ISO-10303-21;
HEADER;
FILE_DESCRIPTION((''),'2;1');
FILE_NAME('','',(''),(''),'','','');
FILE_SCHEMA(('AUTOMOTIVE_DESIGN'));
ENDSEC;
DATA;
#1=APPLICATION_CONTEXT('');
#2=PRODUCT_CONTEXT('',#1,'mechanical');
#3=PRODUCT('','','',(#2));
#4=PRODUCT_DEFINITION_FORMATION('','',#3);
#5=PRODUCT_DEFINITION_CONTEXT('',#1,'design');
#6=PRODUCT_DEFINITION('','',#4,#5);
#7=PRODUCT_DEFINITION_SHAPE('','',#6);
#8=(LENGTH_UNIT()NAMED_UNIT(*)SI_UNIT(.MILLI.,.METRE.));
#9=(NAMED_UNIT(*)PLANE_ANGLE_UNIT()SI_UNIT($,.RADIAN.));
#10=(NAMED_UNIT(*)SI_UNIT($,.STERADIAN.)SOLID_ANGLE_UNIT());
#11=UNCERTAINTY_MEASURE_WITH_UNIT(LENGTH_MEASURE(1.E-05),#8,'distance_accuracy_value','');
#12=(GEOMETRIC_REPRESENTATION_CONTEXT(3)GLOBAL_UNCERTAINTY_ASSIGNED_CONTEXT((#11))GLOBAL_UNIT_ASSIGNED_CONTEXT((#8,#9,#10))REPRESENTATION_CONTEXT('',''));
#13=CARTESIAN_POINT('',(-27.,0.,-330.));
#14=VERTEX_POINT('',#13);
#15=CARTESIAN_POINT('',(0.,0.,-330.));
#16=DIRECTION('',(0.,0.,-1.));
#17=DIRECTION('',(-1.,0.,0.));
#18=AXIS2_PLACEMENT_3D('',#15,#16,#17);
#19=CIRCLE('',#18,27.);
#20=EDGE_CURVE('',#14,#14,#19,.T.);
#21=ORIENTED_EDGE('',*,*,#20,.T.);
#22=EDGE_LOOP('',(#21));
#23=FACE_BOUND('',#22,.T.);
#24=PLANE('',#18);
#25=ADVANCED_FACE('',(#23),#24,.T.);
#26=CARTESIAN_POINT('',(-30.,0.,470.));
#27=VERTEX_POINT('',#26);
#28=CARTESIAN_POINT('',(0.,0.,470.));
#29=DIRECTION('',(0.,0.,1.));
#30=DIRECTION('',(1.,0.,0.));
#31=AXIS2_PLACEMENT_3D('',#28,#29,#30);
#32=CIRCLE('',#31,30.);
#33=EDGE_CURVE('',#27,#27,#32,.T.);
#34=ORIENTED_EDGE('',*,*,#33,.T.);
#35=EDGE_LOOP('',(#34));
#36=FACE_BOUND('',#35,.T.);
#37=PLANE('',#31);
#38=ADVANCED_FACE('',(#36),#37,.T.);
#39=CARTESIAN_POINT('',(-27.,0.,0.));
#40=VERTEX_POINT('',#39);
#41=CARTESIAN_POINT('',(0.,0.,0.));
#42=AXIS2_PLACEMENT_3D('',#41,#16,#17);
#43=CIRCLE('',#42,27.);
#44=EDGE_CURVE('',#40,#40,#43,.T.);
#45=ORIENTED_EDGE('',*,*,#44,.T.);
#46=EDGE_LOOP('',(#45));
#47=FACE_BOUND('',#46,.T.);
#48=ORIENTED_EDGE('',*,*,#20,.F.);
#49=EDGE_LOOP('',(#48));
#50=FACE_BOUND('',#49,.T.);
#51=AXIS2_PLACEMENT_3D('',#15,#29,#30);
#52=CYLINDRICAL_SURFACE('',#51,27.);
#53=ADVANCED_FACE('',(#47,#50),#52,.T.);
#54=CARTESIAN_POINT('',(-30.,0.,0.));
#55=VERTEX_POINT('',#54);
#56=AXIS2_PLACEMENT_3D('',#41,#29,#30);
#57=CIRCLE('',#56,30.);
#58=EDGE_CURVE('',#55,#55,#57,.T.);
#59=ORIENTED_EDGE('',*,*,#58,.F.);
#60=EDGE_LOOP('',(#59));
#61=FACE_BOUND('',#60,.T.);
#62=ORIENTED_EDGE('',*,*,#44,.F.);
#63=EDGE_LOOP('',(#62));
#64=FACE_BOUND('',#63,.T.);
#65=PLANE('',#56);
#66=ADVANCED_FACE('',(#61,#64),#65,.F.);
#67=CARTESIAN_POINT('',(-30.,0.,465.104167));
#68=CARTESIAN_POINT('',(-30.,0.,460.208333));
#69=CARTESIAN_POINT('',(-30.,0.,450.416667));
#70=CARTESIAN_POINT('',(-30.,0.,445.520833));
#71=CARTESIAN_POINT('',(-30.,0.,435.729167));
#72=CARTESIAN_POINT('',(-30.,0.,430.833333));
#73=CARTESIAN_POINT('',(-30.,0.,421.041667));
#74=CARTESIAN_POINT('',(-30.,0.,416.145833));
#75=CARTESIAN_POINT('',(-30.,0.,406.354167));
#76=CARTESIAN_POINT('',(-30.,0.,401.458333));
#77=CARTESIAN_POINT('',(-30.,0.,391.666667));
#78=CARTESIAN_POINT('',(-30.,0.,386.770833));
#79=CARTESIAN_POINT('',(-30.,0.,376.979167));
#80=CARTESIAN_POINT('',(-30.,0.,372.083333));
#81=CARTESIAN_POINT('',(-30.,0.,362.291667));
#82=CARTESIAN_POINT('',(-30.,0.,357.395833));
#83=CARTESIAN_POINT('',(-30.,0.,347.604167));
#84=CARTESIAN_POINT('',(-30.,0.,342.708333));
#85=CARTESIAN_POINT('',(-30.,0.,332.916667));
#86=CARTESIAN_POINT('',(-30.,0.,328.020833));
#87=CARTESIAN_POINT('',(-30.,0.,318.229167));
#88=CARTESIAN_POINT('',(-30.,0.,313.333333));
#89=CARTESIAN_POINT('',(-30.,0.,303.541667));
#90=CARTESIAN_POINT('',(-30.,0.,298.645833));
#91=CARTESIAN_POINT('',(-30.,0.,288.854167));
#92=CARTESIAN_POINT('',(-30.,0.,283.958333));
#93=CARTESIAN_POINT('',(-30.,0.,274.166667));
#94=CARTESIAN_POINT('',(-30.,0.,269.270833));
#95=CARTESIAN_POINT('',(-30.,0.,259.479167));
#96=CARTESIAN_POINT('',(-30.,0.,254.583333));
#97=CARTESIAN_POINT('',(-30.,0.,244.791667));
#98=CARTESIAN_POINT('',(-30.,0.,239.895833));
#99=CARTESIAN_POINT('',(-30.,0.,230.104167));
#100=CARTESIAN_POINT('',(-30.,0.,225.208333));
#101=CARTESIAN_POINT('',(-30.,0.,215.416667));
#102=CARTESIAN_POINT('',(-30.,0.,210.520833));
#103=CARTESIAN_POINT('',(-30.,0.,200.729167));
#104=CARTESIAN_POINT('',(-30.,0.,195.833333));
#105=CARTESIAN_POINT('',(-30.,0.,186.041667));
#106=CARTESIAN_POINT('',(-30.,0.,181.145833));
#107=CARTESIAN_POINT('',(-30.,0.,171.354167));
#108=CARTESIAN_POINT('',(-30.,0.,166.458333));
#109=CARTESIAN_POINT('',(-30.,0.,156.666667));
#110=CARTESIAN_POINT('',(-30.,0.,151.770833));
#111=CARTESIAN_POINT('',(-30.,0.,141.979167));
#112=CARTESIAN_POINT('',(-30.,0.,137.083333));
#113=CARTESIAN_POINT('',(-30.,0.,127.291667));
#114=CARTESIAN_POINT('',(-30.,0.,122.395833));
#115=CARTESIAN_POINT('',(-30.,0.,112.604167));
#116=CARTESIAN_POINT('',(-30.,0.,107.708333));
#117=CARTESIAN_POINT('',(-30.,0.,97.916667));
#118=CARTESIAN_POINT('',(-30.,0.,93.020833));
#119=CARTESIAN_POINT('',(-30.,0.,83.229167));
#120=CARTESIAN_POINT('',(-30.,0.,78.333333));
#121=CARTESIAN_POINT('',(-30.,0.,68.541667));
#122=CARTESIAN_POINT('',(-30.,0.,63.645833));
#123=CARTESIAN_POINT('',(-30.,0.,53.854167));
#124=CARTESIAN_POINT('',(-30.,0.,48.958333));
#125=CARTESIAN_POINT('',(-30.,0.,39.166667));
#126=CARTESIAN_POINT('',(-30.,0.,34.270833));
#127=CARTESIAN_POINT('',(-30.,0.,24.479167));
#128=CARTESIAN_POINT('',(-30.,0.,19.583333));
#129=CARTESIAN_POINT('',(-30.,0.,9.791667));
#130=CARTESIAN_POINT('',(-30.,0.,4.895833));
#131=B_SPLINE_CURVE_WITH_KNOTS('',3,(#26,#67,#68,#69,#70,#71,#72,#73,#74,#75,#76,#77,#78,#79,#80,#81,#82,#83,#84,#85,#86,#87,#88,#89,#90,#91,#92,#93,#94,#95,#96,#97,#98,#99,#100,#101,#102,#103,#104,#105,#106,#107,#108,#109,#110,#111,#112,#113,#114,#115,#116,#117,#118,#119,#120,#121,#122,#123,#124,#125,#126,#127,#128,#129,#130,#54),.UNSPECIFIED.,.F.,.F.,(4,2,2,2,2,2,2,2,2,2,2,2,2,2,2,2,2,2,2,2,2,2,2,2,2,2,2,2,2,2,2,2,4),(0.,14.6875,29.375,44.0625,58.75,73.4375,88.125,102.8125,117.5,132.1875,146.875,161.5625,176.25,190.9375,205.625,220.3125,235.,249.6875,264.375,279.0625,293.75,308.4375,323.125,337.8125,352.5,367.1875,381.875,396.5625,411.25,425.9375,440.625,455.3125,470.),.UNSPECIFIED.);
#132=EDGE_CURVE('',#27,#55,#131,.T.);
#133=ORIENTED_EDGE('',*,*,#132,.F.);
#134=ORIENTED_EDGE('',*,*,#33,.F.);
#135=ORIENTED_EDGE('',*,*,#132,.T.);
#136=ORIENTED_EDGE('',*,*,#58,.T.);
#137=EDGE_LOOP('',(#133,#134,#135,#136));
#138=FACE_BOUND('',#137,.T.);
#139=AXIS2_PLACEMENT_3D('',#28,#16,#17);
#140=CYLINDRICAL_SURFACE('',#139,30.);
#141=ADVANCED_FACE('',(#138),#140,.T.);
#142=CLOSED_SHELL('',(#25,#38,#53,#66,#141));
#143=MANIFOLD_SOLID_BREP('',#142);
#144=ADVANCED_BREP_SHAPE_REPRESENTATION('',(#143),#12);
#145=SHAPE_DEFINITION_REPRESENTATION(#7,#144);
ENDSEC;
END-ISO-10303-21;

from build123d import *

# Parameters (mm, degrees)
SKETCH_1_R      = 30
EXTRUDE_1_DEPTH = 470
SKETCH_2_R      = 27
EXTRUDE_2_DEPTH = 330


with BuildPart() as part:
    # 草图1 → 凸台-拉伸1 (new body)
    with BuildSketch(Plane.XY):
        with Locations(Location((0, 0, 0), (0, 0, 180))):
            Circle(SKETCH_1_R)
    extrude(amount=EXTRUDE_1_DEPTH)

    # 草图2 → 凸台-拉伸2 (add)
    with BuildSketch(Plane(origin=(0, 0, 0), x_dir=(-1, 0, 0), z_dir=(0, 0, -1))):
        Circle(SKETCH_2_R)
    extrude(amount=EXTRUDE_2_DEPTH)


solid = part.part
